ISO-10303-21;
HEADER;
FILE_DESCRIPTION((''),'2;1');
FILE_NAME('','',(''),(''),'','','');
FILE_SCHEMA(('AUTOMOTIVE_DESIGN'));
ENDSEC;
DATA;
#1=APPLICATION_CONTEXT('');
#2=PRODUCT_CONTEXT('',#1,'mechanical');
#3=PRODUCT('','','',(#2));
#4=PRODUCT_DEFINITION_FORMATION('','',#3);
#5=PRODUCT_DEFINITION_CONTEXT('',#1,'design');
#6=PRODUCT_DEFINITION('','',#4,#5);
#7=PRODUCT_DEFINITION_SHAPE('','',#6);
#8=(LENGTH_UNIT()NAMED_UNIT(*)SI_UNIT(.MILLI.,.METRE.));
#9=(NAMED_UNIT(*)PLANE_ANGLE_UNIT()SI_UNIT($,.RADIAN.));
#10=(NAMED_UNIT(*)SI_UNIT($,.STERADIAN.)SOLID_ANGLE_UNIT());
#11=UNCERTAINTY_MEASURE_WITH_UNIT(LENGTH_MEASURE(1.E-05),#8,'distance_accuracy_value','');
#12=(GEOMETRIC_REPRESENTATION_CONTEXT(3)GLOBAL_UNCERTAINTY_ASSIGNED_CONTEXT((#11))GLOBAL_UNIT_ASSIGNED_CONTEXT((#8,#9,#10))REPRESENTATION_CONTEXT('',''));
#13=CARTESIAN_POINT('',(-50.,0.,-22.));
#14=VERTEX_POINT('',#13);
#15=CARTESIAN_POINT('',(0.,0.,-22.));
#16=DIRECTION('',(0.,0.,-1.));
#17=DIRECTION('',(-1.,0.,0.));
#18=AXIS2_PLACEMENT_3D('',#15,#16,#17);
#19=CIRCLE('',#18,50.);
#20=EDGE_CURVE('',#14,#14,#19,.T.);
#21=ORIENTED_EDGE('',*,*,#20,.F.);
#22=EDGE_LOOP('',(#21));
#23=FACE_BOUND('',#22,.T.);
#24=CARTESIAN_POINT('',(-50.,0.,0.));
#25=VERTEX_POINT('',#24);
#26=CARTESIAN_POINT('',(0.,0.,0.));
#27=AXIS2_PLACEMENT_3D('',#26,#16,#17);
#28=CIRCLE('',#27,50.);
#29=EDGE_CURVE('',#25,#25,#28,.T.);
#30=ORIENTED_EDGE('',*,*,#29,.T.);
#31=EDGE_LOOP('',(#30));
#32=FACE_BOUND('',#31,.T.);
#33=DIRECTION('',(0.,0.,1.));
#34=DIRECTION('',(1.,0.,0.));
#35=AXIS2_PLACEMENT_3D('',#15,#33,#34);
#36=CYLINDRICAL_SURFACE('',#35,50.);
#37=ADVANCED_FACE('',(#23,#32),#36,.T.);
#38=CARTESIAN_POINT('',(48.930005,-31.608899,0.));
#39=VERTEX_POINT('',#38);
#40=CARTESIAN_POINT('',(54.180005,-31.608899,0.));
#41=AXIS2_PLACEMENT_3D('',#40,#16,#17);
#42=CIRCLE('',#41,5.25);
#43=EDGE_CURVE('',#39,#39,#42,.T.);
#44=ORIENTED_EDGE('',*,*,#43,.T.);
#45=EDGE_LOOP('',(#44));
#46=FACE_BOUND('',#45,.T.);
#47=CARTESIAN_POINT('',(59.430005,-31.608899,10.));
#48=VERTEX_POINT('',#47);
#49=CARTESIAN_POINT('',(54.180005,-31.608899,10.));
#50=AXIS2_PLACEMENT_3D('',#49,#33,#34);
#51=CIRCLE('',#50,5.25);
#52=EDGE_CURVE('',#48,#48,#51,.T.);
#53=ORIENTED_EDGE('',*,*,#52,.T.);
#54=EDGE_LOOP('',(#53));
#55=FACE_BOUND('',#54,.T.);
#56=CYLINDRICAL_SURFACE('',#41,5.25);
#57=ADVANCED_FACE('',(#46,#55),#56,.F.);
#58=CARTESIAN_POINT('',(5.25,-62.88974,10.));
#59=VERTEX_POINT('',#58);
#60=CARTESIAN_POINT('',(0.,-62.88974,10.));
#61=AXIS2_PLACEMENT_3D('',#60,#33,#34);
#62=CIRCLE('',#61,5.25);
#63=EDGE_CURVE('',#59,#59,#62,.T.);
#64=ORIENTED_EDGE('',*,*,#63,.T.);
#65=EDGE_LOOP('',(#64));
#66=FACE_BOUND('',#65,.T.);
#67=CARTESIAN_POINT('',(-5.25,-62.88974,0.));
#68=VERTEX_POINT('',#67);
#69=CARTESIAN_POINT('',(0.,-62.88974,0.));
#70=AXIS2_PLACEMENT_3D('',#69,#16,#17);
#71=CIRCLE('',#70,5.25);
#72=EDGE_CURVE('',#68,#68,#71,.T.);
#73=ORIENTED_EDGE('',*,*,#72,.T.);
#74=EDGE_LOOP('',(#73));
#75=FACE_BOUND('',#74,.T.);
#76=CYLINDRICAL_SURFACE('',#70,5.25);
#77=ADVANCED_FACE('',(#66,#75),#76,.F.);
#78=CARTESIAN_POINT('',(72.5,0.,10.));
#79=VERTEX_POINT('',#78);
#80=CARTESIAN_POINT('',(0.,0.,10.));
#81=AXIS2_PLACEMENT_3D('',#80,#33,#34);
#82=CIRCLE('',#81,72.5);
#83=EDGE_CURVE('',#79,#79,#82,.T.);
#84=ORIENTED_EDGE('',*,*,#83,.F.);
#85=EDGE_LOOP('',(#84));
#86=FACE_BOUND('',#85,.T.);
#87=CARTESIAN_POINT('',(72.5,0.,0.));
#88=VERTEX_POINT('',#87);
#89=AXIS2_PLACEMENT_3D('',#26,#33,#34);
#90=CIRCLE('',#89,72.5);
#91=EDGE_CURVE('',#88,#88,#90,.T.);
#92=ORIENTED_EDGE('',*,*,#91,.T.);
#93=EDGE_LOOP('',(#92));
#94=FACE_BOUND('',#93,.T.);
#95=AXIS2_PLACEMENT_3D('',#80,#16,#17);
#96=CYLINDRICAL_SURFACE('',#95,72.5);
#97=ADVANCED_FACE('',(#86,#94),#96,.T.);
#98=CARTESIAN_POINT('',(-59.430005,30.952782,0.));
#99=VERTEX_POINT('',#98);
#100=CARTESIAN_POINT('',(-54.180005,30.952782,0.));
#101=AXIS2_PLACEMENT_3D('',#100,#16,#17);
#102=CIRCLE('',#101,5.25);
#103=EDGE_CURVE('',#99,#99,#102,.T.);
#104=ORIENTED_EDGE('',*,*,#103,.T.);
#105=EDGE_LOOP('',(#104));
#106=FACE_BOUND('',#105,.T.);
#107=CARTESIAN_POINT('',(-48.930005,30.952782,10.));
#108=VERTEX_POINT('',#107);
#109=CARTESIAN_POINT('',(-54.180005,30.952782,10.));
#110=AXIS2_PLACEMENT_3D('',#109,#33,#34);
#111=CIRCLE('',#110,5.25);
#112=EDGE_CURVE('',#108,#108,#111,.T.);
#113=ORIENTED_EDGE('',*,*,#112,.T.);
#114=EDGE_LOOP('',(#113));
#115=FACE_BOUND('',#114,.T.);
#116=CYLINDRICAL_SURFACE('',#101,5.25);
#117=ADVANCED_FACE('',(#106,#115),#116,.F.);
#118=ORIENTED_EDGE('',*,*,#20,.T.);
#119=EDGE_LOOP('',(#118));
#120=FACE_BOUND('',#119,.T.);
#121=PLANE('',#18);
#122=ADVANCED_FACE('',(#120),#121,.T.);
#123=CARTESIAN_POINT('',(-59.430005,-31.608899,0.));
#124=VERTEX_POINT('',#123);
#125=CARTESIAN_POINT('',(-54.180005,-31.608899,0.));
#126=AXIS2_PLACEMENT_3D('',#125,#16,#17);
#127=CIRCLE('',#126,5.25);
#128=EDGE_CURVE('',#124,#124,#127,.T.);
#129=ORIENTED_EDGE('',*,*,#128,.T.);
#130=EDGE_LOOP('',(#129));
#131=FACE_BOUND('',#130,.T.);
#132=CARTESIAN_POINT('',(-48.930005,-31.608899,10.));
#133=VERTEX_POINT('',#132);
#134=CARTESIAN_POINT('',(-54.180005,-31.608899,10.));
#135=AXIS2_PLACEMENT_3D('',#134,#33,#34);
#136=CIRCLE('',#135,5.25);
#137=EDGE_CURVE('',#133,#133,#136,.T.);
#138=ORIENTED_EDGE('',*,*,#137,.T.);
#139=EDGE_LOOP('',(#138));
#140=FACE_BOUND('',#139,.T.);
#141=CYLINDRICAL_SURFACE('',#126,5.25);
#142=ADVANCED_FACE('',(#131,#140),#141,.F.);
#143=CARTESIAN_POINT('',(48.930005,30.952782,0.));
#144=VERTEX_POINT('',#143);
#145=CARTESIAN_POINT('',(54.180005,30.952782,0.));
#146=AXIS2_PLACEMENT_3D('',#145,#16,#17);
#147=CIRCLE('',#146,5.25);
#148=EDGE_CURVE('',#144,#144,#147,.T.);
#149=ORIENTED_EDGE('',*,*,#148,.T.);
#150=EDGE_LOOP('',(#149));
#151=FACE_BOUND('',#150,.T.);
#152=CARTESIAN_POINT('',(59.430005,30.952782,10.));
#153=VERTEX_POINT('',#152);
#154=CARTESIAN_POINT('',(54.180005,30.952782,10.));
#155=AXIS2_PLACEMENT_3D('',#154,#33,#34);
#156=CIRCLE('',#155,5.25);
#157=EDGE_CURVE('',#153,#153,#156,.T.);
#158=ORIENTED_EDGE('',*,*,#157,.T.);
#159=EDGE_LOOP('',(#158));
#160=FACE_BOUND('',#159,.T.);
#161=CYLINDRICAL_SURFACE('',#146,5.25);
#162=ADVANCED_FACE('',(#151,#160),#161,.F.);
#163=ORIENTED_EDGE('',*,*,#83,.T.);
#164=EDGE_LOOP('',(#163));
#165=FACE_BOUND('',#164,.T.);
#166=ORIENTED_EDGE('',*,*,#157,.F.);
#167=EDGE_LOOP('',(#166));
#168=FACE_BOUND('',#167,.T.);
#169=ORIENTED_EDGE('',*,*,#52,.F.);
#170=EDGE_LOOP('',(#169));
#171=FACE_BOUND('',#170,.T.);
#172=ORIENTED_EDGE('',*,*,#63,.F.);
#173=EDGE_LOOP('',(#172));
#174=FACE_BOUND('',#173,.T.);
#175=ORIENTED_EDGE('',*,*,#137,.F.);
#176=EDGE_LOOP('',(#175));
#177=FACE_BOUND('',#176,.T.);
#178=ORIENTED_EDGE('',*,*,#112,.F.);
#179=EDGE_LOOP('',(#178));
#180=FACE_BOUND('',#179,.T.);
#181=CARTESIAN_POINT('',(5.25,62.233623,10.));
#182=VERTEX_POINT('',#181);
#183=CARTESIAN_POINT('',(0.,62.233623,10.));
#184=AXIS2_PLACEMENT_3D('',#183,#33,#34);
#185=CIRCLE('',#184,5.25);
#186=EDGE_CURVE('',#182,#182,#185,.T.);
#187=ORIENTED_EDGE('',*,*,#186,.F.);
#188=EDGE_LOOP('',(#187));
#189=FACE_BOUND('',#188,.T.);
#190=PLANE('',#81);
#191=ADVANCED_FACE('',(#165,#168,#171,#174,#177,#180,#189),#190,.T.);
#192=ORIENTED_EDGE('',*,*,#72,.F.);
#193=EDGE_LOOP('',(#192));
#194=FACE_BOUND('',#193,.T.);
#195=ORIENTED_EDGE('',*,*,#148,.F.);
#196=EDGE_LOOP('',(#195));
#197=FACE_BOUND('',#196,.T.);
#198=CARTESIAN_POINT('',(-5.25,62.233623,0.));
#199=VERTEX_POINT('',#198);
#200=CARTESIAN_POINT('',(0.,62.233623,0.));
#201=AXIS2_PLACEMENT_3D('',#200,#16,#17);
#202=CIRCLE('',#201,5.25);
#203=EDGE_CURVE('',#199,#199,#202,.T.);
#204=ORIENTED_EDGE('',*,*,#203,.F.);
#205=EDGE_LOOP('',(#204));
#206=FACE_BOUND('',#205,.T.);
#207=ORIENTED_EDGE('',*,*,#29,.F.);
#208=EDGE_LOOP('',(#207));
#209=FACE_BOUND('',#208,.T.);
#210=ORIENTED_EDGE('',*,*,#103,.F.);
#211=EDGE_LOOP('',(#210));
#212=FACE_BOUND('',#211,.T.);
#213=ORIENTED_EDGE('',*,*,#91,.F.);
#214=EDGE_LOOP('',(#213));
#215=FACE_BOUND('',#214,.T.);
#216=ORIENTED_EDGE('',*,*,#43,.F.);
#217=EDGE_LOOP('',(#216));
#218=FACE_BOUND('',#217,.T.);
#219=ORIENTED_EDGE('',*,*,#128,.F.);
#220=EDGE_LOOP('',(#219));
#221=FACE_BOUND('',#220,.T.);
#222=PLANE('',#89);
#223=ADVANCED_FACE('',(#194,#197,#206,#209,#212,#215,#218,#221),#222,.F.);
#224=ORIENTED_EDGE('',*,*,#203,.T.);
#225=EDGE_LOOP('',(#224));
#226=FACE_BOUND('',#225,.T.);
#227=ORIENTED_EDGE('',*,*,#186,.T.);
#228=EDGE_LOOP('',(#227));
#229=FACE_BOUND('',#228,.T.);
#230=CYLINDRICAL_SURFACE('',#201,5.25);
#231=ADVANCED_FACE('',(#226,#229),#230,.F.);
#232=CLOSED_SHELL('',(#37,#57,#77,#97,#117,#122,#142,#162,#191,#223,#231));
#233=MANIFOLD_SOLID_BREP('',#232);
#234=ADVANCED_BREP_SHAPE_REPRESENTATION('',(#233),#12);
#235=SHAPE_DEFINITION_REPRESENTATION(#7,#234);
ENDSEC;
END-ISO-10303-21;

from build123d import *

# Parameters (mm, degrees)
CROQUIS1_R              = 72.5
SALIENTE_EXTRUIR1_DEPTH = 10
MATRIZC3_COUNT          = 6
CROQUIS13_R             = 50
SALIENTE_EXTRUIR2_DEPTH = 22


with BuildPart() as part:
    # Croquis1 → Saliente-Extruir1 (new body)
    with BuildSketch(Plane.XY):
        Circle(CROQUIS1_R)
    extrude(amount=SALIENTE_EXTRUIR1_DEPTH)

    # Croquis12 → Taladro roscado M12x1.51 (revolve, cut)
    with BuildSketch(Plane(origin=(0, 62.233623097, 0), x_dir=(0, 1, 0), z_dir=(1, 0, 0))):
        Polygon((0, 0), (0, 34.65451825), (5.25, 31.5), (5.25, 0), align=None)
    taladro_roscado_m12x1_51 = revolve(axis=Axis((0, 62.233623097, -6.35), (0, 0, 1)), mode=Mode.SUBTRACT)

    # MatrizC3: Taladro roscado M12x1.51 ×6 about axis
    matrizc3_axis = Axis((0, -0.328058282, 0), (0, 0, 1))
    for i in range(1, MATRIZC3_COUNT):
        add(taladro_roscado_m12x1_51.rotate(matrizc3_axis, i * 360 / MATRIZC3_COUNT), mode=Mode.SUBTRACT)

    # Croquis13 → Saliente-Extruir2 (add)
    with BuildSketch(Plane(origin=(0, 0, 0), x_dir=(-1, 0, 0), z_dir=(0, 0, -1))):
        Circle(CROQUIS13_R)
    extrude(amount=SALIENTE_EXTRUIR2_DEPTH)


solid = part.part
